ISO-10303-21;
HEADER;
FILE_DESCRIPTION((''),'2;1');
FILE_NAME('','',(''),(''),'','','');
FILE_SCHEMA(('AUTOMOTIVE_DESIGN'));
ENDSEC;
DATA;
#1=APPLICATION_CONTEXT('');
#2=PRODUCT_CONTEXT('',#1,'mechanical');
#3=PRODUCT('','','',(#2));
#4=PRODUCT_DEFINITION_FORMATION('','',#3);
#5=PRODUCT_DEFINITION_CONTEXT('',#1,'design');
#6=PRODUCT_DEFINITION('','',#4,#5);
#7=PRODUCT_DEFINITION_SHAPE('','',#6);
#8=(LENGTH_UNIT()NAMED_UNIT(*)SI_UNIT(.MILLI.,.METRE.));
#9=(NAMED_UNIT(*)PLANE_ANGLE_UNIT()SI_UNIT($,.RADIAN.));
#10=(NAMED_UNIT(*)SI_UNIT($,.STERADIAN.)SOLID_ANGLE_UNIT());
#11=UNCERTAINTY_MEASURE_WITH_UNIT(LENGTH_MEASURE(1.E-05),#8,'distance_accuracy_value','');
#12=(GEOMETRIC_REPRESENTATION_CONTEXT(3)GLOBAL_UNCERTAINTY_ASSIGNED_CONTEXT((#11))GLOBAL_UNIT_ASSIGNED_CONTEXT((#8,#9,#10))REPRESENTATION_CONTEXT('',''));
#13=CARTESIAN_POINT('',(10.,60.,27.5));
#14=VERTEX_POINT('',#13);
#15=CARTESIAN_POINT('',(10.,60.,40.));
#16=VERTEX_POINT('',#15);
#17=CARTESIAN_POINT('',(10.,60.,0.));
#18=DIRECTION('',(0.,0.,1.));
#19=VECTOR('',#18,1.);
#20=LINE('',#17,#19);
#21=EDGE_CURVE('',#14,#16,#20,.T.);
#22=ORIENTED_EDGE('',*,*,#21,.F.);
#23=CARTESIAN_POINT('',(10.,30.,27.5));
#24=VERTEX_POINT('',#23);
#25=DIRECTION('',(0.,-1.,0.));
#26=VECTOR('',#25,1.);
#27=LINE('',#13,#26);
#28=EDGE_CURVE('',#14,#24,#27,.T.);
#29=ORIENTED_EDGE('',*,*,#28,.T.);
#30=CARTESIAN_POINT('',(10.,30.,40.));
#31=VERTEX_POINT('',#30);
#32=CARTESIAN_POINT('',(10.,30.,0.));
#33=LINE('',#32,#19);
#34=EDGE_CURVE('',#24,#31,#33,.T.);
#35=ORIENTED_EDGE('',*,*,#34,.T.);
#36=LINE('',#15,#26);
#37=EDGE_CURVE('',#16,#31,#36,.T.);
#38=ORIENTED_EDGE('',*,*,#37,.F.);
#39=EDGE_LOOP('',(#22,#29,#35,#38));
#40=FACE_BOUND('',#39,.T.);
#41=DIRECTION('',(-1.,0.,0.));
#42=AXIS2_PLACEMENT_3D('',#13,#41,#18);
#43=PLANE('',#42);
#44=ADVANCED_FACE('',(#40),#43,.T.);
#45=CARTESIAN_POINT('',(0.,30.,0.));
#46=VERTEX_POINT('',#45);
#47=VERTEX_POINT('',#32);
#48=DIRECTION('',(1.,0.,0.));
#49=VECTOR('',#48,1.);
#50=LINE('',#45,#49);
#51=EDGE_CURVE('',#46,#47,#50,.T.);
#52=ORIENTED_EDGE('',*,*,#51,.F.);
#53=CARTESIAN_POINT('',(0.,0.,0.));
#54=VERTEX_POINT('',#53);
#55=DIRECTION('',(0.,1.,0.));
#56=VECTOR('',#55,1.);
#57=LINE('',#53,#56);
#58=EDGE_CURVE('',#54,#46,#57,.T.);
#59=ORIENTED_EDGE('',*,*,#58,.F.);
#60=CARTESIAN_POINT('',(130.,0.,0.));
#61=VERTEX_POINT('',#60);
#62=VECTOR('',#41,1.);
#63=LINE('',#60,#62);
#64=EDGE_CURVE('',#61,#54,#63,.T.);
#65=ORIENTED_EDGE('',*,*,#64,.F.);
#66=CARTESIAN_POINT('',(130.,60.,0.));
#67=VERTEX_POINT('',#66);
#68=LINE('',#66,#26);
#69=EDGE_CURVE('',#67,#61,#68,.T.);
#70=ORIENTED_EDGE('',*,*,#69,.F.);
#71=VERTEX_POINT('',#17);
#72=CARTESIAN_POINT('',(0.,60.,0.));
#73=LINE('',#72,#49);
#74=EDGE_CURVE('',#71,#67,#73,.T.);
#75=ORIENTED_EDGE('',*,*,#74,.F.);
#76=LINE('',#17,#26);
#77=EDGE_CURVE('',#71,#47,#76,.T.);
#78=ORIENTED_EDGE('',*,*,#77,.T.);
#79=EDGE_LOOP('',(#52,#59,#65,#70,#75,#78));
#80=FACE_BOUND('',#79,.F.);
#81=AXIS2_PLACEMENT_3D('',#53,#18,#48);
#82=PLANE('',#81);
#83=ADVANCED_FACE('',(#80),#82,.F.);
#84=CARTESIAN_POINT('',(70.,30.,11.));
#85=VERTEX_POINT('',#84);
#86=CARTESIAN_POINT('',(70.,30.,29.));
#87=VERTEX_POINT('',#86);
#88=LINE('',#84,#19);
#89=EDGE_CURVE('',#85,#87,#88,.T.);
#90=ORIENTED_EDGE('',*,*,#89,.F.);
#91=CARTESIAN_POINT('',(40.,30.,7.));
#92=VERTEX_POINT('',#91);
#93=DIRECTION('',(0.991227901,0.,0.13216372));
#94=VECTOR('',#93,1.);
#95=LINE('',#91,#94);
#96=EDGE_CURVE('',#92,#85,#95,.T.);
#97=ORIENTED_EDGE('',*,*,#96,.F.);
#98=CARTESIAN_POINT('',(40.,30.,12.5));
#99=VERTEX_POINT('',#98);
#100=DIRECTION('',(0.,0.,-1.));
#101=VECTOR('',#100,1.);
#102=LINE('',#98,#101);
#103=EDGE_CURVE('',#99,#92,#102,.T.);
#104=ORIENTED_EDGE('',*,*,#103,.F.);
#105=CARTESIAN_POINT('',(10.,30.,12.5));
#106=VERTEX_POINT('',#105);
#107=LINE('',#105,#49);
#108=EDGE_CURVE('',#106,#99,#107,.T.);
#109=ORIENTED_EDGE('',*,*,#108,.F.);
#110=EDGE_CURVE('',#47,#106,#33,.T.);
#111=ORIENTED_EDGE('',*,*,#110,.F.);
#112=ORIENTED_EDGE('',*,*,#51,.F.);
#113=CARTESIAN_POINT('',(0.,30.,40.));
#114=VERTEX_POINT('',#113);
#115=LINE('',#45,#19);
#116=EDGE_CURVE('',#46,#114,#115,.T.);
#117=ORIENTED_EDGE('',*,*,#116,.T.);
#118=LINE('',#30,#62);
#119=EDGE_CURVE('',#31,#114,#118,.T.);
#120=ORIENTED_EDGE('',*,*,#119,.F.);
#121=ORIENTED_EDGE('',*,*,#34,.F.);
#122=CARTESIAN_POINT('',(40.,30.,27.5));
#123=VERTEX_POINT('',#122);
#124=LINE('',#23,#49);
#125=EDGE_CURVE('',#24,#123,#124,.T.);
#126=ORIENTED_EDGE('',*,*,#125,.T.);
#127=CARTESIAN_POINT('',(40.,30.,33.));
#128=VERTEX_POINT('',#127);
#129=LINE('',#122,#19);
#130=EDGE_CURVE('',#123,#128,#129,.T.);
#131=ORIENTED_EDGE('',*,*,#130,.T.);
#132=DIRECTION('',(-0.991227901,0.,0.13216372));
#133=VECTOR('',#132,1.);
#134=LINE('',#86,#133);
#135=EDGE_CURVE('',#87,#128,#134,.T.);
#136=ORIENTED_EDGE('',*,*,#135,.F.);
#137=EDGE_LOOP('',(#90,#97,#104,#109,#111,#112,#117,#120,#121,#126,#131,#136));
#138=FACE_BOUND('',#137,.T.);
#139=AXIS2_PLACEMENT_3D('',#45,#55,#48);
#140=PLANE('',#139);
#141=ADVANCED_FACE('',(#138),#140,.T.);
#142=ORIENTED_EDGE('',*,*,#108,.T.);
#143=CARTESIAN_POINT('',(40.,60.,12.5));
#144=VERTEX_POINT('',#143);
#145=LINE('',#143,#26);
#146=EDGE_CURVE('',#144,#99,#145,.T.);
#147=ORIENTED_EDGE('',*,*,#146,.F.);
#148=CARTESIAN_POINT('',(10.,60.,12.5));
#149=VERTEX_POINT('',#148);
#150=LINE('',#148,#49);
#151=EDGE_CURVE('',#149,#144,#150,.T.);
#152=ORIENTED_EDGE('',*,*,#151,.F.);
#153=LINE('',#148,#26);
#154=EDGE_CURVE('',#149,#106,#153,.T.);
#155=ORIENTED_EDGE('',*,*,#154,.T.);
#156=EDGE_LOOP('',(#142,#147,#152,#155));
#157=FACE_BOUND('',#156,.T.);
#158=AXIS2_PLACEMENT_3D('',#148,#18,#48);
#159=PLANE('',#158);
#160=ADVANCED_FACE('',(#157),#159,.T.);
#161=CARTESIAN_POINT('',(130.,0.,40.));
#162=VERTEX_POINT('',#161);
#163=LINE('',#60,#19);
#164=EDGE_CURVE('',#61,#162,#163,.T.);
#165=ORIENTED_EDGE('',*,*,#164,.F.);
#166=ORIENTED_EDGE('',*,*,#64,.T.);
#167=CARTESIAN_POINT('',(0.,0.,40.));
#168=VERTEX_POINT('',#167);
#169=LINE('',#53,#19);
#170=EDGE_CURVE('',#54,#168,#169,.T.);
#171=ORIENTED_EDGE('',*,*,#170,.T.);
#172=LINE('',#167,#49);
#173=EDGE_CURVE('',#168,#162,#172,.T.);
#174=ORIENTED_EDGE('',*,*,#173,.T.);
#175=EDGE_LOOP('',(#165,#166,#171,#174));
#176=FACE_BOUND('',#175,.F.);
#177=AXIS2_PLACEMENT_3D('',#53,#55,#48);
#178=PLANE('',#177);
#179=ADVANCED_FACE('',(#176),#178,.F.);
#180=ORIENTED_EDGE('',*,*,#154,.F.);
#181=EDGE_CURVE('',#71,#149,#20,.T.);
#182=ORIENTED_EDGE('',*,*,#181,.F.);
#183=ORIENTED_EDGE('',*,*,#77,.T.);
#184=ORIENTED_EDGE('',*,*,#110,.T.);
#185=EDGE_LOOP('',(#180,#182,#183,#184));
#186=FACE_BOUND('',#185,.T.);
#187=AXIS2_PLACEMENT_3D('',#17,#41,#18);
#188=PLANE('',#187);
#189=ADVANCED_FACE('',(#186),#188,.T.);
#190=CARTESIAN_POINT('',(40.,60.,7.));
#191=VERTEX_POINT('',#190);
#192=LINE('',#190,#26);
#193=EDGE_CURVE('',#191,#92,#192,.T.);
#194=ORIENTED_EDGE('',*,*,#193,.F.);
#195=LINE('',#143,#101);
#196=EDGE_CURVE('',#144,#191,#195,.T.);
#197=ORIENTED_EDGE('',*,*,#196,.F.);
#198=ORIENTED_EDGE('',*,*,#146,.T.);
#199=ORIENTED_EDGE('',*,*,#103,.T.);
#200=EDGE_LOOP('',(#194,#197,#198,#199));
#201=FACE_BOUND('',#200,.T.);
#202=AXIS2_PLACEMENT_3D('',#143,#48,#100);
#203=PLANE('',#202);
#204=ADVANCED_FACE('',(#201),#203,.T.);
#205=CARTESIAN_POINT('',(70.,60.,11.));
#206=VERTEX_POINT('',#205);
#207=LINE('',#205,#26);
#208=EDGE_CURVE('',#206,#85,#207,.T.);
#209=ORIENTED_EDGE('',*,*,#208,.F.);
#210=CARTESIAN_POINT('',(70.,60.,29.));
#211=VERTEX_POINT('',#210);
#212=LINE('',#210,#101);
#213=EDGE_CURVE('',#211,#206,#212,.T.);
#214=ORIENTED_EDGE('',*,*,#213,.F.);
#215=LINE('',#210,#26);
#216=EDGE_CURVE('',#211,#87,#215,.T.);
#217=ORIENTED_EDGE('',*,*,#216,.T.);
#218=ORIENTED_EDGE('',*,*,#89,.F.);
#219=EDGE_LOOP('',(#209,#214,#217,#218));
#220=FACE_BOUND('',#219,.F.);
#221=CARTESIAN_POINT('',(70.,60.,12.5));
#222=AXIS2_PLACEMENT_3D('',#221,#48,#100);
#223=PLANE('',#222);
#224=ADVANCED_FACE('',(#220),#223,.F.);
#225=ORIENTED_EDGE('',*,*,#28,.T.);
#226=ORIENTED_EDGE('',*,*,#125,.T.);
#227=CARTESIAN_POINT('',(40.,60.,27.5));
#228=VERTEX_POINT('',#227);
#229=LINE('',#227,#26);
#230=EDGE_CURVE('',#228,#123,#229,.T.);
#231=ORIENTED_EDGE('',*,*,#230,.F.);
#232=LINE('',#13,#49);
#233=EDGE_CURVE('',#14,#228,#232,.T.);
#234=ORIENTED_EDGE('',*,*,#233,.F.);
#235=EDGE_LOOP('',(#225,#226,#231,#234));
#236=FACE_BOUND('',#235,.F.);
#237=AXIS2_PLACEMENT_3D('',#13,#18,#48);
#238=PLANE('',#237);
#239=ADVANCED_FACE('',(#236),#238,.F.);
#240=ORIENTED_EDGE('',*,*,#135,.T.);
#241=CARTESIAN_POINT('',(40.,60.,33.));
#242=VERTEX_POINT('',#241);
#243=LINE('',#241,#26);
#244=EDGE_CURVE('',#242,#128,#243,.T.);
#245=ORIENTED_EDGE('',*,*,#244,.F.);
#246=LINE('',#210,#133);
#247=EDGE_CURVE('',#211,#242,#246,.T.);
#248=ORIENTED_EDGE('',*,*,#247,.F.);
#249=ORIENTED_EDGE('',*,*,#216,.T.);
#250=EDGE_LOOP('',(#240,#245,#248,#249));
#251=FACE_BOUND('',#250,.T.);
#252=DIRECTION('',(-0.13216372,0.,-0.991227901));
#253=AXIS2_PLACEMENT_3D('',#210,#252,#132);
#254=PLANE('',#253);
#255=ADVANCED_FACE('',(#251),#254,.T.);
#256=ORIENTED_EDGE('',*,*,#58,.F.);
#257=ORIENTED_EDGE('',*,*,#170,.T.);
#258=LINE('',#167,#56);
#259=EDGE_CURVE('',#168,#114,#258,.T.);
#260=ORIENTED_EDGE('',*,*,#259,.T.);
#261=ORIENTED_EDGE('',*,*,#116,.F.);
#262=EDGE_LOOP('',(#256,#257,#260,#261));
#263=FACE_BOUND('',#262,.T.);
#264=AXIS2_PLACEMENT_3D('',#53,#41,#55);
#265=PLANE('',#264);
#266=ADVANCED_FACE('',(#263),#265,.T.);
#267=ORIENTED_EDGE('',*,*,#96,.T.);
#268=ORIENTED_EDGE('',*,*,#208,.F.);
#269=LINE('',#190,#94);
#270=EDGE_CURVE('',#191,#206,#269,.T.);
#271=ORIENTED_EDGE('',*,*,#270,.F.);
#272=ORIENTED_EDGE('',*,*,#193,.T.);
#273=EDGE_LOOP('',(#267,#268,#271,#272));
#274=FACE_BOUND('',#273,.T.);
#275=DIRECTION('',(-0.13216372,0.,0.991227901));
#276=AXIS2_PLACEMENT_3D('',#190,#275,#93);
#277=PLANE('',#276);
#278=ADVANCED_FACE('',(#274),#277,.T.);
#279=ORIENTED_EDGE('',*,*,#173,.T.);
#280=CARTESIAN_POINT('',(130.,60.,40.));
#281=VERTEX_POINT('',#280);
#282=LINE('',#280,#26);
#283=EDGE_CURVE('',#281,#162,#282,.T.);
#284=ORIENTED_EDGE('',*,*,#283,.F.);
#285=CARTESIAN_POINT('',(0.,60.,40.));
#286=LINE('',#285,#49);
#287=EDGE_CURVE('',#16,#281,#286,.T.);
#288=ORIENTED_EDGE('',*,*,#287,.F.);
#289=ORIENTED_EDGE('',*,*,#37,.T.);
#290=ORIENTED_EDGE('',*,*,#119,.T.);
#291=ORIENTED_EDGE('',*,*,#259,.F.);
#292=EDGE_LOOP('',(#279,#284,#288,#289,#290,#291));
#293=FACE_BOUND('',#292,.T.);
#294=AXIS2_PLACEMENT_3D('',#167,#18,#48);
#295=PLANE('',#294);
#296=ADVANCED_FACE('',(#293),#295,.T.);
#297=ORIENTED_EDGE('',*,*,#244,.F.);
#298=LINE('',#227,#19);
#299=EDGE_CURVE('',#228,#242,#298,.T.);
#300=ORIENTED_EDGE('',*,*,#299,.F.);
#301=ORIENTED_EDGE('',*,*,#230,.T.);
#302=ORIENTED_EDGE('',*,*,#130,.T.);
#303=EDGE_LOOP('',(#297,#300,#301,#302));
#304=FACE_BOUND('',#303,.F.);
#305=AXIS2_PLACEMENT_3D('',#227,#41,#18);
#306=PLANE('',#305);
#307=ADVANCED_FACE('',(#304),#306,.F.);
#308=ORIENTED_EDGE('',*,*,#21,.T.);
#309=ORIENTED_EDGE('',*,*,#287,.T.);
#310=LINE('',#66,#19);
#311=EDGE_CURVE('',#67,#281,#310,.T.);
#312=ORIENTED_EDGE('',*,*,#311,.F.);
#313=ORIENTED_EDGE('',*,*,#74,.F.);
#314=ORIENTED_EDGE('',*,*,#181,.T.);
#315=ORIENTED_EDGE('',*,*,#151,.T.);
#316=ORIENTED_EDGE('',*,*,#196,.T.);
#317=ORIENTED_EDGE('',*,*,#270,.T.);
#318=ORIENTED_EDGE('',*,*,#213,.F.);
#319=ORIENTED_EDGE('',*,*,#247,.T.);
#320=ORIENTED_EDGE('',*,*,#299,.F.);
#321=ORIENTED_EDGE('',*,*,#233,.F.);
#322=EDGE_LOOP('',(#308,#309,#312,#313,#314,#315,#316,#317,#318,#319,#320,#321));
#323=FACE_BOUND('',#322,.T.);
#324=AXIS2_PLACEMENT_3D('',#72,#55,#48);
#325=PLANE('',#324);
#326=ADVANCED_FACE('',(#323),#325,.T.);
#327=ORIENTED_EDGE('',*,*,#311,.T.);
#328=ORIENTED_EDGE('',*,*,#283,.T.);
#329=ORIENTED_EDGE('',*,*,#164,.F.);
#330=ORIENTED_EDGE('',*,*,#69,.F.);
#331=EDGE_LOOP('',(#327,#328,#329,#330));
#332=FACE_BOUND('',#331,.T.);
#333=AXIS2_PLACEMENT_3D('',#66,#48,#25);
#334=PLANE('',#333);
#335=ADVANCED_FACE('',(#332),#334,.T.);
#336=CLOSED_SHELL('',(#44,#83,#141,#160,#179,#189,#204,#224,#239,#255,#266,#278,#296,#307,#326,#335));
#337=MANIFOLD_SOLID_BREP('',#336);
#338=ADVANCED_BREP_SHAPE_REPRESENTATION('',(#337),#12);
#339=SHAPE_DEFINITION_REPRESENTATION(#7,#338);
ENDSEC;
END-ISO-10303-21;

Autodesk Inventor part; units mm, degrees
ref_plane "YZ Plane" through (0, 0, 0) normal (1, 0, 0) x (0, 1, 0)
ref_plane "XZ Plane" through (0, 0, 0) normal (0, 1, 0) x (-1, 0, 0)
ref_plane "XY Plane" through (0, 0, 0) normal (0, 0, 1) x (1, 0, 0)
sketch "Boceto1" plane through (0, 0, 0) normal (0, 0, 1) x (1, 0, 0)
  line L0 (0, 0) -> (70, 0)
  line L1 (70, 0) -> (130, 0)
  line L2 (0, 0) -> (0, 60)
  line L3 (0, 60) -> (130, 60)
  line L4 (130, 60) -> (130, 0)
  dimension "d0" = 70
  dimension "d1" = 60
  dimension "d2" = 60
extrude "Extrusión1" add sketch "Boceto1" along normal blind 40
sketch "Boceto2" plane through (0, 60, 0) normal (0, 1, 0) x (1, 0, 0)
  line L0 (0, 0) -> (130, 0) projected
  line L1 (0, 0) -> (0, -40)
  line L2 (0, 0) -> (10, 0)
  line L3 (0, 0) -> (10, 0) construction
  line L4 (10, 0) -> (10, -40)
  line L5 (10, -40) -> (0, -40)
  line L6 (10, 0) -> (10, -12.5) construction
  line L7 (10, -12.5) -> (40, -12.5)
  line L8 (40, -12.5) -> (40, -7)
  line L9 (10, -12.5) -> (10, -27.5) construction
  line L10 (10, -27.5) -> (40, -27.5)
  line L11 (40, -27.5) -> (40, -33)
  line L12 (10, -12.5) -> (70, -12.5) construction
  line L13 (70, -12.5) -> (70, -11)
  line L14 (70, -12.5) -> (70, -29)
  line L15 (70, -29) -> (40, -33)
  line L16 (40, -7) -> (70, -11)
  dimension "d5" = 10
  dimension "d6" = 0
  dimension "d7" = 40
  dimension "d8" = 12.5
  dimension "d9" = 30
  dimension "d10" = 5.5
  dimension "d11" = 15
  dimension "d12" = 5.5
  dimension "d13" = 30
  dimension "d14" = 60
  dimension "d15" = 1.5
  dimension "d16" = 16.5
extrude "Extrusión2" cut sketch "Boceto2" against normal blind 30
equation "\"d3\" = Profundidad"
equation "\"d5\" = Separación_lateral"
equation "\"d8\" = Separacion_superior"
equation "\"d10\" = Rebaje_superior"
equation "\"d12\" = Rebaje_inferior"
equation "\"d15\" = Espesor_detalle"
equation "\"d16\" = Distancia_centro"
equation "\"Profundidad\" = 40 * Escala"
equation "\"Rebaje_superior\" = 5.5 * Escala"
equation "\"Rebaje_inferior\" = 5.5 * Escala"
equation "\"Separacion_superior\" = 12.5 * Escala"
equation "\"Separación_lateral\" = Escala"
equation "\"Distancia_centro\" = 16.5 * Escala"
equation "\"Espesor_detalle\" = 1.5 * Escala"
equation "\"Escala\" = 1"
properties part number "Tenon_Hembra_Parametrizada"
